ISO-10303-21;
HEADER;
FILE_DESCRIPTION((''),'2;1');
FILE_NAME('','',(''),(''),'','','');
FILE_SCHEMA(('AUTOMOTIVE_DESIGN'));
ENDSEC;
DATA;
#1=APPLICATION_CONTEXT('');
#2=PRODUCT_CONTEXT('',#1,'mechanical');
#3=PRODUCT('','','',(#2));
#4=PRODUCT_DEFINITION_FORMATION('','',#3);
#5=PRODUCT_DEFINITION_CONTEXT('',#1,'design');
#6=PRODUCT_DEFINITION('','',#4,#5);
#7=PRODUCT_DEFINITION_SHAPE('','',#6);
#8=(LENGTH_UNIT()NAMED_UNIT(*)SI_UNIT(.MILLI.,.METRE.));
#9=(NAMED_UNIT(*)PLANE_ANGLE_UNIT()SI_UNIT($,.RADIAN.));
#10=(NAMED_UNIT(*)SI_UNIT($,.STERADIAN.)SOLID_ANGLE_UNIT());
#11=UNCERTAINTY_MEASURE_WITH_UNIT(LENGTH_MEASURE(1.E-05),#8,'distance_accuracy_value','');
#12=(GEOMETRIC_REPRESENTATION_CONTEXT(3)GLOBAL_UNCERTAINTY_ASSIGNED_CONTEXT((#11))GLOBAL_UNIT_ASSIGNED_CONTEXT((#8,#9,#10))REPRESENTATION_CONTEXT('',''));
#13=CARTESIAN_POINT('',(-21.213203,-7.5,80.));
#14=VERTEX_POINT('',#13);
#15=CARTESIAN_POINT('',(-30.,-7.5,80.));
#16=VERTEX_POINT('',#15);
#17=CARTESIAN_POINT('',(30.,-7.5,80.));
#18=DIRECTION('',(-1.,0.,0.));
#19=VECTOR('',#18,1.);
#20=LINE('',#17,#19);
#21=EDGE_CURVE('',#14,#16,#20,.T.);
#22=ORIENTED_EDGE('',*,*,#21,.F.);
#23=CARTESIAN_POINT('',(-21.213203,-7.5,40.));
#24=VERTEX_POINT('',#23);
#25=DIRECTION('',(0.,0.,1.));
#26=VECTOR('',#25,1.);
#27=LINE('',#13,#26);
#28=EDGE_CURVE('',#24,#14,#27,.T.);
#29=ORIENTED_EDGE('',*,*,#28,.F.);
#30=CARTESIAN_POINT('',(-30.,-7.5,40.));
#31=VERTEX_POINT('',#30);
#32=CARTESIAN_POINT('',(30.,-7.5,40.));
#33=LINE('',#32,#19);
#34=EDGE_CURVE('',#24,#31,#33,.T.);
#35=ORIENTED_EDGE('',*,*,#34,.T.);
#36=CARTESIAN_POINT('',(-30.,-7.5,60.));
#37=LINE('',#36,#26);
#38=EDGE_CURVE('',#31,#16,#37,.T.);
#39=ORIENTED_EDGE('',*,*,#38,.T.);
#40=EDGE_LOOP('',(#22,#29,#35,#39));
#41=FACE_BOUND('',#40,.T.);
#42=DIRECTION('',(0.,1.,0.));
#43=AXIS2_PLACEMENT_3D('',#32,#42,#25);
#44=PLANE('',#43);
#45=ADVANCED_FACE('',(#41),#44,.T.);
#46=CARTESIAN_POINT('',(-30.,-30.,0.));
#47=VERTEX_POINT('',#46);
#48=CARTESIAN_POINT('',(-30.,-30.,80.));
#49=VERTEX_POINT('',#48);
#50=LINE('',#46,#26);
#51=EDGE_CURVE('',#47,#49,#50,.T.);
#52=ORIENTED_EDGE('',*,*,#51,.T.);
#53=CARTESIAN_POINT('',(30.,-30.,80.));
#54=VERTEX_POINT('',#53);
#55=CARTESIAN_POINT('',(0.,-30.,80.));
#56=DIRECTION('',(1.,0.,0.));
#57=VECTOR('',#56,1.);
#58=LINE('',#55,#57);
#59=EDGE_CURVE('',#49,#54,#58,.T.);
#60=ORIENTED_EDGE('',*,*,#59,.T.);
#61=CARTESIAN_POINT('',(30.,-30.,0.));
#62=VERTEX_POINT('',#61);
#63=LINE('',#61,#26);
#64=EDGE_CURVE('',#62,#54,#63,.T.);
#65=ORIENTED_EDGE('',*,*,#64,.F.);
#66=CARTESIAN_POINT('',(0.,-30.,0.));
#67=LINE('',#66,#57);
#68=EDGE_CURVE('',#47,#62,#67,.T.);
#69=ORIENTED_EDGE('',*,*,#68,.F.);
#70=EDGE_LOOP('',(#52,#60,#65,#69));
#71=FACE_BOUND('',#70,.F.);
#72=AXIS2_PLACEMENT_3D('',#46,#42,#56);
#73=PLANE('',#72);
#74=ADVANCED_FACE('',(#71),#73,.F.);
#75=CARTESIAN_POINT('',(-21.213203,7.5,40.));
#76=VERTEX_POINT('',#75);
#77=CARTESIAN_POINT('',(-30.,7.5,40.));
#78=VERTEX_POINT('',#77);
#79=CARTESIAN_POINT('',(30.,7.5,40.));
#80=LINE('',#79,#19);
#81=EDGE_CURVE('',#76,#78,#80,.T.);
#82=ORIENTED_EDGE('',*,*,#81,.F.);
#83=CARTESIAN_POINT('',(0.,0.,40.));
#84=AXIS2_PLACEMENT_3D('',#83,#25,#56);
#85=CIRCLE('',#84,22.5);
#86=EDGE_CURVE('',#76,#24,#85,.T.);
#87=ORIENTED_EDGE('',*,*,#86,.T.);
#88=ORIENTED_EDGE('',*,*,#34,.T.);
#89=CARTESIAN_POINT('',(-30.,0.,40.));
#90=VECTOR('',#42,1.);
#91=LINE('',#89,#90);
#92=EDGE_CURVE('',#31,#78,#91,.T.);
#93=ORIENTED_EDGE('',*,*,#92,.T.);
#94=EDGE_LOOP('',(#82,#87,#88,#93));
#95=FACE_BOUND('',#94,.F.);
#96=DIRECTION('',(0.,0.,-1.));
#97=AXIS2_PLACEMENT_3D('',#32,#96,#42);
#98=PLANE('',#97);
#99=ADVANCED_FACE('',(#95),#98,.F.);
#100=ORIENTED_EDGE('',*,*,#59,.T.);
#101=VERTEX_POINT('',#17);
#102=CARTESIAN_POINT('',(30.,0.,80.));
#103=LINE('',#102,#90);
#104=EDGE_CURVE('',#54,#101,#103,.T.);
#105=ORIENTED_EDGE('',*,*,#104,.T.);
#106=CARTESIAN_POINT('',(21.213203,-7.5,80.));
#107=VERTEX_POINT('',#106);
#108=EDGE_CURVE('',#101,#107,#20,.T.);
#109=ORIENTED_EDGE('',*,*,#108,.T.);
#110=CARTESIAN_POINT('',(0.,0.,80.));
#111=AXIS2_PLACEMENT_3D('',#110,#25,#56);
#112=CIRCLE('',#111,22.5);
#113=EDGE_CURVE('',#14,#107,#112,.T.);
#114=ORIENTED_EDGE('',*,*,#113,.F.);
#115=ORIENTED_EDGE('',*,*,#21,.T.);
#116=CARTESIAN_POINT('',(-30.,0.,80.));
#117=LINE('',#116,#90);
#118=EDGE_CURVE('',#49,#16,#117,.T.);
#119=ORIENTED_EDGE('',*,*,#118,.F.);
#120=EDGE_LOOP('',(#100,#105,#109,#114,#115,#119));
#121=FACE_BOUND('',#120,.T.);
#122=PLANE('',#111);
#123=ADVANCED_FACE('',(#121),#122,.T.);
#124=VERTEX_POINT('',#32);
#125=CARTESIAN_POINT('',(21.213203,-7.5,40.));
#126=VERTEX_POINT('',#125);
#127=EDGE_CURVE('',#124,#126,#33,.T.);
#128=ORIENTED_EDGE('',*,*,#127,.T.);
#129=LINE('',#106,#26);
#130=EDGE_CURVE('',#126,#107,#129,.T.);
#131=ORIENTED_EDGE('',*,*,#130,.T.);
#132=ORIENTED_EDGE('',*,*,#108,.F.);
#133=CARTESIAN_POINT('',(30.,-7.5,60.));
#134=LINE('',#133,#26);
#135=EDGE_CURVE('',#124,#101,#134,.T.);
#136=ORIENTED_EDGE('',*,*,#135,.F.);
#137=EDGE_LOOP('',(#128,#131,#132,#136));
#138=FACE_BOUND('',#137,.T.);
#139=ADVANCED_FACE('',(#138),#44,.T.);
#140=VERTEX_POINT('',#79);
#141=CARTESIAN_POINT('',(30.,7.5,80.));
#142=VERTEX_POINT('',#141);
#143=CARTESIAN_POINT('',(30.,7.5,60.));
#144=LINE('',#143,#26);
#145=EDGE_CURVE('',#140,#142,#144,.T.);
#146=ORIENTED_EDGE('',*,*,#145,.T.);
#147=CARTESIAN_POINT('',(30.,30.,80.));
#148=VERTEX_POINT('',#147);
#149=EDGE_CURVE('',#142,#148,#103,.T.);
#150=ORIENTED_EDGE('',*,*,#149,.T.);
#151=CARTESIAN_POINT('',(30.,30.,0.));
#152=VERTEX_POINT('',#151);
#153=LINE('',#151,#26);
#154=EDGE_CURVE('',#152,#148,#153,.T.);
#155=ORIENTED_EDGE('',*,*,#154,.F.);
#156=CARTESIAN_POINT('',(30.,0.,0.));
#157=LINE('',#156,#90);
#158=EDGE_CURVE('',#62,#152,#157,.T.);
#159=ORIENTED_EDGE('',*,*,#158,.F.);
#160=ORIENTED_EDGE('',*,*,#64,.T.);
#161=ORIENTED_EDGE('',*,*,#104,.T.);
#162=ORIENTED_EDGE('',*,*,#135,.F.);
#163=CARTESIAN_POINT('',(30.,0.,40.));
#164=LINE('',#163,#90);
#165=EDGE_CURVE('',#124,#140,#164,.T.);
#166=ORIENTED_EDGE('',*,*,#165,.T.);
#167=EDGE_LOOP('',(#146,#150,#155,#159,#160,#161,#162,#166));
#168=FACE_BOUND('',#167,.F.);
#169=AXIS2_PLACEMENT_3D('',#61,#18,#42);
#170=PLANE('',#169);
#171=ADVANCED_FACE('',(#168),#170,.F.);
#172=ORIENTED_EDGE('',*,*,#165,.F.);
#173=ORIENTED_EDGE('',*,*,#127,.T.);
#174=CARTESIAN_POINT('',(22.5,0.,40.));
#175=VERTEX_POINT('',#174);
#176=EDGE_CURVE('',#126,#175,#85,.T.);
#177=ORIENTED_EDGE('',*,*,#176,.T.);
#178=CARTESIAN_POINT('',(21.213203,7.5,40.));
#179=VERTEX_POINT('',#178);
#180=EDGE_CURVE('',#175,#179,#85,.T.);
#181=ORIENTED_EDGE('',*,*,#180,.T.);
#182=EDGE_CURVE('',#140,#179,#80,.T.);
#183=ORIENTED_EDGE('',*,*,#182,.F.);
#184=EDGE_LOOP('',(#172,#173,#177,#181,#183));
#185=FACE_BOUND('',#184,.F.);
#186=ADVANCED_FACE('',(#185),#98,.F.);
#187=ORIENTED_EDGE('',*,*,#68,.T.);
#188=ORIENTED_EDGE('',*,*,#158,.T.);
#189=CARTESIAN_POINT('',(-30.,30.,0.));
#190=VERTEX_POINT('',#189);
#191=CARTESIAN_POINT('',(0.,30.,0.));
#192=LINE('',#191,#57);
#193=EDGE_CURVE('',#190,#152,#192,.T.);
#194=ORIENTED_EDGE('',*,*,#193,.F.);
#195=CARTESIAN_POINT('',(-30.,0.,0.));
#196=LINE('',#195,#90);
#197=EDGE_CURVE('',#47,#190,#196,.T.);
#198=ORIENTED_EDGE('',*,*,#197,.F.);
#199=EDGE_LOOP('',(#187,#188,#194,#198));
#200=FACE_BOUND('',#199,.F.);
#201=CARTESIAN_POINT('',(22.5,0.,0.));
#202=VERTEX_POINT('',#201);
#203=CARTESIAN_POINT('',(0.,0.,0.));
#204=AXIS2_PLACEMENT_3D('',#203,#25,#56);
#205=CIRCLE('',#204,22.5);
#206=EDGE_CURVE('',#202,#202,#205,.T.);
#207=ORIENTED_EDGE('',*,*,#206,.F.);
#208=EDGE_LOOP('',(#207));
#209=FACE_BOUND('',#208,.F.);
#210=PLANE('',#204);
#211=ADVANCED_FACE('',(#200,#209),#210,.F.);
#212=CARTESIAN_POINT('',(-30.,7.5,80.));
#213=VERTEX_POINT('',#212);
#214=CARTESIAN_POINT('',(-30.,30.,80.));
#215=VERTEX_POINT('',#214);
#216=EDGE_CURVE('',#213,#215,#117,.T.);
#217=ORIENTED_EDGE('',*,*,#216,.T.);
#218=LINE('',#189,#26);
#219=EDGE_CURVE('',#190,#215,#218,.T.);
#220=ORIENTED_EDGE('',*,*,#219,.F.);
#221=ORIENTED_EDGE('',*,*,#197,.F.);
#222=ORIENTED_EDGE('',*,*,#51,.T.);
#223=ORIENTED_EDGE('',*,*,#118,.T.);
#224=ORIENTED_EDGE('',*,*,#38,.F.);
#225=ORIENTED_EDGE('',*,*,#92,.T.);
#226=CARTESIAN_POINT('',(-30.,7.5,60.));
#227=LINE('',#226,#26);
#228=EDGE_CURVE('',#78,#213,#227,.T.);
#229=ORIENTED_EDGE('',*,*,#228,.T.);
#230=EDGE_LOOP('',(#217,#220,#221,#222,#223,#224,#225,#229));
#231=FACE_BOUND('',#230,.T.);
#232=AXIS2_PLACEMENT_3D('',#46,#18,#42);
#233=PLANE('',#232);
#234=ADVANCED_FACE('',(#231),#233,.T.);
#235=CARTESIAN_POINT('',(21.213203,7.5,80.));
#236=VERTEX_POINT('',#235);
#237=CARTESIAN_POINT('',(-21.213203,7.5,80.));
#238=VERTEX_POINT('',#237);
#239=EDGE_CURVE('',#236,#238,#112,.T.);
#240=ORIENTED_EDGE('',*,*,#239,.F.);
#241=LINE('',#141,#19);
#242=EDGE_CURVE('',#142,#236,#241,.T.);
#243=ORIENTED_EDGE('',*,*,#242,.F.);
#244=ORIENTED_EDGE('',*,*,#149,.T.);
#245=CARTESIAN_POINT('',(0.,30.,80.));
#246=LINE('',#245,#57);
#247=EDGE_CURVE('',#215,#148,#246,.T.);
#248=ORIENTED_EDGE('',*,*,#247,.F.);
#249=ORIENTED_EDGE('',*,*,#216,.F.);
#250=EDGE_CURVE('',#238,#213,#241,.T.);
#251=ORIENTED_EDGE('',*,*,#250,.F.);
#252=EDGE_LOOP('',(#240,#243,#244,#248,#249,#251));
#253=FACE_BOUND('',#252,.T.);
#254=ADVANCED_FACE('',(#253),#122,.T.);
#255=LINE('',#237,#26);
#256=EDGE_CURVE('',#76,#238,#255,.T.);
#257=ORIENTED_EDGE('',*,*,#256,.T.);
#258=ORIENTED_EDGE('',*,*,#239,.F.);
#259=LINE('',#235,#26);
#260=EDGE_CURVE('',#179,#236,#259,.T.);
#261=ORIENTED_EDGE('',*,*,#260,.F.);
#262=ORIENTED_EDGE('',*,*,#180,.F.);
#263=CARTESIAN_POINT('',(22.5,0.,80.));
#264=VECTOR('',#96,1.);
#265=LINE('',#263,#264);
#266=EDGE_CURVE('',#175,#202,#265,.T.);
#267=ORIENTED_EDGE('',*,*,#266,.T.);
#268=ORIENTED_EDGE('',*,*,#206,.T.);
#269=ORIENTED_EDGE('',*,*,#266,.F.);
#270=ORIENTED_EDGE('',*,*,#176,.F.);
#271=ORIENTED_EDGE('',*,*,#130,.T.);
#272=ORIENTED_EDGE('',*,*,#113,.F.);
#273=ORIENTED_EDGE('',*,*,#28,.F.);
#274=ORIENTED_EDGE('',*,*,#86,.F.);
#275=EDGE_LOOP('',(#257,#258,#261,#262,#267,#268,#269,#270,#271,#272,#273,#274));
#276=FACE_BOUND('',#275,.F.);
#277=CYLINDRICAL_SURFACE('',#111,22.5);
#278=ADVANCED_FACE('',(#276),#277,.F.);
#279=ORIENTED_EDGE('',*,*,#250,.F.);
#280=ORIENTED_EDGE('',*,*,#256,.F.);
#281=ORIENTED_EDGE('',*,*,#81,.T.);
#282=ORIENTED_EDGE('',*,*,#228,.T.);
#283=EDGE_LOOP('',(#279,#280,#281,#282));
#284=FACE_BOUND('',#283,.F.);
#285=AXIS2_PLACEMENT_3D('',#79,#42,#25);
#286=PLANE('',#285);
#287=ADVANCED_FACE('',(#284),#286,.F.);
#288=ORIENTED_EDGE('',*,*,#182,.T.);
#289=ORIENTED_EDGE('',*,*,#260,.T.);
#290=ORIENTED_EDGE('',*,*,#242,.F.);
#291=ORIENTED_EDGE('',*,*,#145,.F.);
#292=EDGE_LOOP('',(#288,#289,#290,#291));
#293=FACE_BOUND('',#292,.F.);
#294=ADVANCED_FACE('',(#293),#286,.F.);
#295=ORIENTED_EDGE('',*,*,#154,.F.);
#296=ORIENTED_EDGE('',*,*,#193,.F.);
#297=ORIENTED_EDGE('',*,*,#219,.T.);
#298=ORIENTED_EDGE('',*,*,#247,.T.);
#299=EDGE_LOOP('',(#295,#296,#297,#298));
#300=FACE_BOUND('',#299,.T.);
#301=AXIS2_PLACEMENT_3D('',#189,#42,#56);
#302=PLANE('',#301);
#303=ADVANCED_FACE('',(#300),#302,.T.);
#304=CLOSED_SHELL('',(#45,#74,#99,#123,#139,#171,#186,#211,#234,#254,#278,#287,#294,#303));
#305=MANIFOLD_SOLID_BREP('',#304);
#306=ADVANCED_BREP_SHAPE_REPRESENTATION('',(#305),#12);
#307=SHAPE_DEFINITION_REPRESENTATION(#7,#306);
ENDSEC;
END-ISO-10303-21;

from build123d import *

# Parameters (mm, degrees)
F0_W     = 60
F0_H     = 60
F1_DEPTH = 80
F2_R     = 22.5
F3_DEPTH = 80
F4_W     = 15
F4_H     = 40
F5_DEPTH = 60


with BuildPart() as f1:
    # F0 (on Top) → F1 (new body)
    with BuildSketch(Plane.XY):
        Rectangle(F0_W, F0_H)
    extrude(amount=F1_DEPTH)

    # F2 (on face) → F3 (cut)
    with BuildSketch(Plane.XY.offset(80)):
        Circle(F2_R)
    extrude(amount=-F3_DEPTH, mode=Mode.SUBTRACT)

    # F4 (on face) → F5 (cut)
    with BuildSketch(Plane.YZ.offset(30)):
        with Locations((0, 60)):
            Rectangle(F4_W, F4_H)
    extrude(amount=-F5_DEPTH, mode=Mode.SUBTRACT)


solid = f1.part
